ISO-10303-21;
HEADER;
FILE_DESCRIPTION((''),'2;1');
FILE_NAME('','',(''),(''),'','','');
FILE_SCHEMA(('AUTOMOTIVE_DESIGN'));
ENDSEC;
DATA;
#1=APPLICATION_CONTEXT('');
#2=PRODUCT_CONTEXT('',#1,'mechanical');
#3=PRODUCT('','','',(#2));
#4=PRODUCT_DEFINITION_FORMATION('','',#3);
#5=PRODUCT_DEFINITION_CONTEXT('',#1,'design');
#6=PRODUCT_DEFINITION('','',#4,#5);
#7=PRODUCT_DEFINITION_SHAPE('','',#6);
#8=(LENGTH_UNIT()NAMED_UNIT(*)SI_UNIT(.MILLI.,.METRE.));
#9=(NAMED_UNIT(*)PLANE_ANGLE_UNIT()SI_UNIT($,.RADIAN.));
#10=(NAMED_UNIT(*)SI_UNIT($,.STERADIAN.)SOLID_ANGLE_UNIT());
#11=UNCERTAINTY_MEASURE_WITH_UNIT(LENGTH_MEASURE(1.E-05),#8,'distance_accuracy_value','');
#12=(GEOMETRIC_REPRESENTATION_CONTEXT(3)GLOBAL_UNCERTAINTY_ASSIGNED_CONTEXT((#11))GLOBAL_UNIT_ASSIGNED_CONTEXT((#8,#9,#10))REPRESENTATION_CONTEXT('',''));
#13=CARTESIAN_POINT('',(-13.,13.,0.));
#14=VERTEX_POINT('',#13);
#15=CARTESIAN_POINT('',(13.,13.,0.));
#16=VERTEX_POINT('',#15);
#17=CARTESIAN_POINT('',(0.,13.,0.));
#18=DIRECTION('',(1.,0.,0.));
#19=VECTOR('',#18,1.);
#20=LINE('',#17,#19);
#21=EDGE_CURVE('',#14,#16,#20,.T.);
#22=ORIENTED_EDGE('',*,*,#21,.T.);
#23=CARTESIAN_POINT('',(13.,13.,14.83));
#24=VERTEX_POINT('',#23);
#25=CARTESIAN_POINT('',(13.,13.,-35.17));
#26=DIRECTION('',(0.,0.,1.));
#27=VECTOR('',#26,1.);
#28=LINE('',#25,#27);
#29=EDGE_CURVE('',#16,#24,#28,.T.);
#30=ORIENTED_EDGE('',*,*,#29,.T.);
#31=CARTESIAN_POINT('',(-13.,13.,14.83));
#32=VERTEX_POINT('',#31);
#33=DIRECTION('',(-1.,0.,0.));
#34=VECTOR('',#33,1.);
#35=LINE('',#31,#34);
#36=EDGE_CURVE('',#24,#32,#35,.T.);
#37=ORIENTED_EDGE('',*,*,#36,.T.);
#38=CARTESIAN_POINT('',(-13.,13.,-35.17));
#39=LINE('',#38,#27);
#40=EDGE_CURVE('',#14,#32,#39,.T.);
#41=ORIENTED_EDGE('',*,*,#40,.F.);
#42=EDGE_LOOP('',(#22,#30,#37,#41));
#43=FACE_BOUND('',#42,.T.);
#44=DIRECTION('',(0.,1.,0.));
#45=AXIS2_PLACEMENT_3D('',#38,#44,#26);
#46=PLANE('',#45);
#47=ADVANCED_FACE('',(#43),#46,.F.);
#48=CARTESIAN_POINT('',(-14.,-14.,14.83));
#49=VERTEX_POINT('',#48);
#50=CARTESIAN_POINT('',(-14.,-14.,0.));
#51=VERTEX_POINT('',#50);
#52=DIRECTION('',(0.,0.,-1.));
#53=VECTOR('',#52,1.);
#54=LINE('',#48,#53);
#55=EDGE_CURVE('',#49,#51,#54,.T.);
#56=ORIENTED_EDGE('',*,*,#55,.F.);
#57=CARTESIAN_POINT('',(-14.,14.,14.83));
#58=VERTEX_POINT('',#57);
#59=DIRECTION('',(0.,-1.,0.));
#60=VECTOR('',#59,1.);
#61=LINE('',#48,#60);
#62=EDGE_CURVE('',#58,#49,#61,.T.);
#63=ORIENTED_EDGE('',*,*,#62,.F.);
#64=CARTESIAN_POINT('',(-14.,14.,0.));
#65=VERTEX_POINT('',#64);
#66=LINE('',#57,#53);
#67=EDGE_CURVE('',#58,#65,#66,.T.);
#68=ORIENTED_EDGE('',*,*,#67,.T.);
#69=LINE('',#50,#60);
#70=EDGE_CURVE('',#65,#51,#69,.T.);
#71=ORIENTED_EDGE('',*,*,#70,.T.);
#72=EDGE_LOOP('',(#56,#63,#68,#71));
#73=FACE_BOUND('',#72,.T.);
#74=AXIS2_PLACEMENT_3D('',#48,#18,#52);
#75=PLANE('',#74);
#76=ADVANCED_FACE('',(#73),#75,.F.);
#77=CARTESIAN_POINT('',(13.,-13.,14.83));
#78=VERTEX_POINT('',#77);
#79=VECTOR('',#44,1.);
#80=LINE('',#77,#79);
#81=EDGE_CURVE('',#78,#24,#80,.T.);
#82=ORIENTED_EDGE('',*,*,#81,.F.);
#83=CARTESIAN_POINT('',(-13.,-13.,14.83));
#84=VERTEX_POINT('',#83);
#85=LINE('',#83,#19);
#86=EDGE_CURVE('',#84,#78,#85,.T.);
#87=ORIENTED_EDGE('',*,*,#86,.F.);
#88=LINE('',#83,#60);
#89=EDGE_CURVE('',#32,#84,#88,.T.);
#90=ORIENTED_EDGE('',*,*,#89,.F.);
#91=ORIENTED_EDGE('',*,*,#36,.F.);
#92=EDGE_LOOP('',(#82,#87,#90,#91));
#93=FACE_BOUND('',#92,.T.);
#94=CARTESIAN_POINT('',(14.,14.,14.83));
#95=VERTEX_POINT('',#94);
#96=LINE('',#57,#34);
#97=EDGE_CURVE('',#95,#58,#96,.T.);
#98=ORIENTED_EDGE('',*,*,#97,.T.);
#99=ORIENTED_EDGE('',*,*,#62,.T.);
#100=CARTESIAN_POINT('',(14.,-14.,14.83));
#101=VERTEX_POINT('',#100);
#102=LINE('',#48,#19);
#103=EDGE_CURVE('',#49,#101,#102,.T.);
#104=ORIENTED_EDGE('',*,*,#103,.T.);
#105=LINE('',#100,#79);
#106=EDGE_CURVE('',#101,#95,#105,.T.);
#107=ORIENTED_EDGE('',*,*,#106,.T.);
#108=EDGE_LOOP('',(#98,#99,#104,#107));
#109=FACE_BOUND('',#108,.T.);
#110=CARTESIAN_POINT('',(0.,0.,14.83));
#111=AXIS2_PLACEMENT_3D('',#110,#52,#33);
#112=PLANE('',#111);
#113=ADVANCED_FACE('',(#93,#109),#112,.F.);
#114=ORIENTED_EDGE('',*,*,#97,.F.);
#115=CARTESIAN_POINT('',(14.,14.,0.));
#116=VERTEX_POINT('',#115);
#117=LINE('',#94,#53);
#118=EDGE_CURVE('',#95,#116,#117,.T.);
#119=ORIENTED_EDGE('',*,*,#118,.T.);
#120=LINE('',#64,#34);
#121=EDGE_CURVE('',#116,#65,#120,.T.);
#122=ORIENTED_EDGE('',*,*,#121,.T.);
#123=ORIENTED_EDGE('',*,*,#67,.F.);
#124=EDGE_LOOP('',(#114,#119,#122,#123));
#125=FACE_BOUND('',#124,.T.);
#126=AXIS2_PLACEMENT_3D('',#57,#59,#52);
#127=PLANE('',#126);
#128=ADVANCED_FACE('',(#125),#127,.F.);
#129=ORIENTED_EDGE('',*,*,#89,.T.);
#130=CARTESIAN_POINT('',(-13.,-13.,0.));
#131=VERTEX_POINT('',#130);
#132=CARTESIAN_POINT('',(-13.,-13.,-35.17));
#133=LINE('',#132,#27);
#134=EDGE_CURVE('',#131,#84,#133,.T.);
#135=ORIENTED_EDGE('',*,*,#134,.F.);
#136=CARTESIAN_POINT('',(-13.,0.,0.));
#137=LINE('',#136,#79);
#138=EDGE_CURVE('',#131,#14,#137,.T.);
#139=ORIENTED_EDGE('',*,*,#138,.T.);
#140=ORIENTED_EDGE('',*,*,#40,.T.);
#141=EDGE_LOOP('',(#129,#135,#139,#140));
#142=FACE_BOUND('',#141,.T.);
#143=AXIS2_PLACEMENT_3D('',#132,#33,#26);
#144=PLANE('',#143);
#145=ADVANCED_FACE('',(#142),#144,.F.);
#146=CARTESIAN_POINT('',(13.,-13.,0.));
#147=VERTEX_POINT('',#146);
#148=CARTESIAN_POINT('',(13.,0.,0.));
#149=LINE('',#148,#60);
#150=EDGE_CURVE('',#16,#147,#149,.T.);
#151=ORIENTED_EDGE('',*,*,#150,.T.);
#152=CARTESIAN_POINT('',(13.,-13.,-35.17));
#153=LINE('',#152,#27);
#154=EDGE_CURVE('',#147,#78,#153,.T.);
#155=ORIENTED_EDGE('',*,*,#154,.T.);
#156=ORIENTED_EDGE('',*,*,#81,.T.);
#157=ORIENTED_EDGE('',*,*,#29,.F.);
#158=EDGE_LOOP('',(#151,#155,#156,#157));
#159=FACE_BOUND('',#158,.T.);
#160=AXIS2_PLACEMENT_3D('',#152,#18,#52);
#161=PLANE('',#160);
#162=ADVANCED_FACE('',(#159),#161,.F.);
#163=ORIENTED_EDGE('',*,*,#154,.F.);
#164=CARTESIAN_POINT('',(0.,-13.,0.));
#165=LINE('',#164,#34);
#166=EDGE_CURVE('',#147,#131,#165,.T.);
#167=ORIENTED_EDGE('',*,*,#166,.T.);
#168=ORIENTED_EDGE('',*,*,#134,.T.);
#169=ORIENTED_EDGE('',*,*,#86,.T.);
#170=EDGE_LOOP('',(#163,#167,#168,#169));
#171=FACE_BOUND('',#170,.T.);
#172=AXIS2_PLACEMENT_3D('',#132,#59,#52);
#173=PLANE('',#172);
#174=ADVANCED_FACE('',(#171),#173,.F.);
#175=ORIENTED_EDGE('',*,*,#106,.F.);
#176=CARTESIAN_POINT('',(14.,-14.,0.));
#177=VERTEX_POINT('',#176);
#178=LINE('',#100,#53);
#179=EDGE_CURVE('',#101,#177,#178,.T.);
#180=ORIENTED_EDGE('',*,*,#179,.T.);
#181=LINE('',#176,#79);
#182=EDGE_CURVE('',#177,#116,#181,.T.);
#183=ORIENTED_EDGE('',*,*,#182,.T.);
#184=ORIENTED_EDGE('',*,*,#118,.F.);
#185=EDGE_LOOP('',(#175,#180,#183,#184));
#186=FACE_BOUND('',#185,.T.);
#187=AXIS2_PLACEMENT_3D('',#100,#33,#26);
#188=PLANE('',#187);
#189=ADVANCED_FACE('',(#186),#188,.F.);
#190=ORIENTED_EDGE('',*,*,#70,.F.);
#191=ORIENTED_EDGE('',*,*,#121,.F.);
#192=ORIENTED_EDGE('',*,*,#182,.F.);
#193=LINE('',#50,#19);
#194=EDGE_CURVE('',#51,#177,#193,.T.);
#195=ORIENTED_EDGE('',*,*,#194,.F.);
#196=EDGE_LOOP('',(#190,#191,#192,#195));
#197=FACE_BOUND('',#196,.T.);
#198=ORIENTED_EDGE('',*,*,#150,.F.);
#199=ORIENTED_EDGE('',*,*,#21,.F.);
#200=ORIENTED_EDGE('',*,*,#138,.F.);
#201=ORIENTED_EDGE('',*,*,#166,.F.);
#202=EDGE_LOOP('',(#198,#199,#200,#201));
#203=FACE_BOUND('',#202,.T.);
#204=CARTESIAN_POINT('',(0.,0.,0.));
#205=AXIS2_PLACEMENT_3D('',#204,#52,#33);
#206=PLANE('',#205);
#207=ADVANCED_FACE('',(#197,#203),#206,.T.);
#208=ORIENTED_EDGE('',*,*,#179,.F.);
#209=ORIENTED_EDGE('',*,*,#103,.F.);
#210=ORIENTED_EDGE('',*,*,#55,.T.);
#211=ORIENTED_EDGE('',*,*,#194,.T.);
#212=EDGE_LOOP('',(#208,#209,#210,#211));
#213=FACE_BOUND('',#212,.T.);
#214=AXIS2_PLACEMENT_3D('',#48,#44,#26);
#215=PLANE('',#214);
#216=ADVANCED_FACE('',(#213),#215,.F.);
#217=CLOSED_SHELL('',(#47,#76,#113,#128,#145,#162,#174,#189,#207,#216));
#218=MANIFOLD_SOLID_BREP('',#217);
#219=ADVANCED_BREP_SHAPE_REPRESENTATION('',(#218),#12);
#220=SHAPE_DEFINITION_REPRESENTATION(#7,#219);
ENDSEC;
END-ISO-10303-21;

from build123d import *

# Parameters (mm, degrees)
ESQUISSE2_W             = 28
ESQUISSE2_H             = 28
BOSS_EXTRU_1_DEPTH      = 14.83
ESQUISSE3_W             = 26
ESQUISSE3_H             = 26
ENL_V_MAT_EXTRU_1_DEPTH = 50


with BuildPart() as part:
    # Esquisse2 → Boss.-Extru.1 (new body)
    with BuildSketch(Plane.XY):
        Rectangle(ESQUISSE2_W, ESQUISSE2_H)
    extrude(amount=BOSS_EXTRU_1_DEPTH)

    # Esquisse3 → Enlèv. mat.-Extru.1 (cut)
    with BuildSketch(Plane.XY.offset(14.83)):
        Rectangle(ESQUISSE3_W, ESQUISSE3_H)
    extrude(amount=-ENL_V_MAT_EXTRU_1_DEPTH, mode=Mode.SUBTRACT)


solid = part.part
